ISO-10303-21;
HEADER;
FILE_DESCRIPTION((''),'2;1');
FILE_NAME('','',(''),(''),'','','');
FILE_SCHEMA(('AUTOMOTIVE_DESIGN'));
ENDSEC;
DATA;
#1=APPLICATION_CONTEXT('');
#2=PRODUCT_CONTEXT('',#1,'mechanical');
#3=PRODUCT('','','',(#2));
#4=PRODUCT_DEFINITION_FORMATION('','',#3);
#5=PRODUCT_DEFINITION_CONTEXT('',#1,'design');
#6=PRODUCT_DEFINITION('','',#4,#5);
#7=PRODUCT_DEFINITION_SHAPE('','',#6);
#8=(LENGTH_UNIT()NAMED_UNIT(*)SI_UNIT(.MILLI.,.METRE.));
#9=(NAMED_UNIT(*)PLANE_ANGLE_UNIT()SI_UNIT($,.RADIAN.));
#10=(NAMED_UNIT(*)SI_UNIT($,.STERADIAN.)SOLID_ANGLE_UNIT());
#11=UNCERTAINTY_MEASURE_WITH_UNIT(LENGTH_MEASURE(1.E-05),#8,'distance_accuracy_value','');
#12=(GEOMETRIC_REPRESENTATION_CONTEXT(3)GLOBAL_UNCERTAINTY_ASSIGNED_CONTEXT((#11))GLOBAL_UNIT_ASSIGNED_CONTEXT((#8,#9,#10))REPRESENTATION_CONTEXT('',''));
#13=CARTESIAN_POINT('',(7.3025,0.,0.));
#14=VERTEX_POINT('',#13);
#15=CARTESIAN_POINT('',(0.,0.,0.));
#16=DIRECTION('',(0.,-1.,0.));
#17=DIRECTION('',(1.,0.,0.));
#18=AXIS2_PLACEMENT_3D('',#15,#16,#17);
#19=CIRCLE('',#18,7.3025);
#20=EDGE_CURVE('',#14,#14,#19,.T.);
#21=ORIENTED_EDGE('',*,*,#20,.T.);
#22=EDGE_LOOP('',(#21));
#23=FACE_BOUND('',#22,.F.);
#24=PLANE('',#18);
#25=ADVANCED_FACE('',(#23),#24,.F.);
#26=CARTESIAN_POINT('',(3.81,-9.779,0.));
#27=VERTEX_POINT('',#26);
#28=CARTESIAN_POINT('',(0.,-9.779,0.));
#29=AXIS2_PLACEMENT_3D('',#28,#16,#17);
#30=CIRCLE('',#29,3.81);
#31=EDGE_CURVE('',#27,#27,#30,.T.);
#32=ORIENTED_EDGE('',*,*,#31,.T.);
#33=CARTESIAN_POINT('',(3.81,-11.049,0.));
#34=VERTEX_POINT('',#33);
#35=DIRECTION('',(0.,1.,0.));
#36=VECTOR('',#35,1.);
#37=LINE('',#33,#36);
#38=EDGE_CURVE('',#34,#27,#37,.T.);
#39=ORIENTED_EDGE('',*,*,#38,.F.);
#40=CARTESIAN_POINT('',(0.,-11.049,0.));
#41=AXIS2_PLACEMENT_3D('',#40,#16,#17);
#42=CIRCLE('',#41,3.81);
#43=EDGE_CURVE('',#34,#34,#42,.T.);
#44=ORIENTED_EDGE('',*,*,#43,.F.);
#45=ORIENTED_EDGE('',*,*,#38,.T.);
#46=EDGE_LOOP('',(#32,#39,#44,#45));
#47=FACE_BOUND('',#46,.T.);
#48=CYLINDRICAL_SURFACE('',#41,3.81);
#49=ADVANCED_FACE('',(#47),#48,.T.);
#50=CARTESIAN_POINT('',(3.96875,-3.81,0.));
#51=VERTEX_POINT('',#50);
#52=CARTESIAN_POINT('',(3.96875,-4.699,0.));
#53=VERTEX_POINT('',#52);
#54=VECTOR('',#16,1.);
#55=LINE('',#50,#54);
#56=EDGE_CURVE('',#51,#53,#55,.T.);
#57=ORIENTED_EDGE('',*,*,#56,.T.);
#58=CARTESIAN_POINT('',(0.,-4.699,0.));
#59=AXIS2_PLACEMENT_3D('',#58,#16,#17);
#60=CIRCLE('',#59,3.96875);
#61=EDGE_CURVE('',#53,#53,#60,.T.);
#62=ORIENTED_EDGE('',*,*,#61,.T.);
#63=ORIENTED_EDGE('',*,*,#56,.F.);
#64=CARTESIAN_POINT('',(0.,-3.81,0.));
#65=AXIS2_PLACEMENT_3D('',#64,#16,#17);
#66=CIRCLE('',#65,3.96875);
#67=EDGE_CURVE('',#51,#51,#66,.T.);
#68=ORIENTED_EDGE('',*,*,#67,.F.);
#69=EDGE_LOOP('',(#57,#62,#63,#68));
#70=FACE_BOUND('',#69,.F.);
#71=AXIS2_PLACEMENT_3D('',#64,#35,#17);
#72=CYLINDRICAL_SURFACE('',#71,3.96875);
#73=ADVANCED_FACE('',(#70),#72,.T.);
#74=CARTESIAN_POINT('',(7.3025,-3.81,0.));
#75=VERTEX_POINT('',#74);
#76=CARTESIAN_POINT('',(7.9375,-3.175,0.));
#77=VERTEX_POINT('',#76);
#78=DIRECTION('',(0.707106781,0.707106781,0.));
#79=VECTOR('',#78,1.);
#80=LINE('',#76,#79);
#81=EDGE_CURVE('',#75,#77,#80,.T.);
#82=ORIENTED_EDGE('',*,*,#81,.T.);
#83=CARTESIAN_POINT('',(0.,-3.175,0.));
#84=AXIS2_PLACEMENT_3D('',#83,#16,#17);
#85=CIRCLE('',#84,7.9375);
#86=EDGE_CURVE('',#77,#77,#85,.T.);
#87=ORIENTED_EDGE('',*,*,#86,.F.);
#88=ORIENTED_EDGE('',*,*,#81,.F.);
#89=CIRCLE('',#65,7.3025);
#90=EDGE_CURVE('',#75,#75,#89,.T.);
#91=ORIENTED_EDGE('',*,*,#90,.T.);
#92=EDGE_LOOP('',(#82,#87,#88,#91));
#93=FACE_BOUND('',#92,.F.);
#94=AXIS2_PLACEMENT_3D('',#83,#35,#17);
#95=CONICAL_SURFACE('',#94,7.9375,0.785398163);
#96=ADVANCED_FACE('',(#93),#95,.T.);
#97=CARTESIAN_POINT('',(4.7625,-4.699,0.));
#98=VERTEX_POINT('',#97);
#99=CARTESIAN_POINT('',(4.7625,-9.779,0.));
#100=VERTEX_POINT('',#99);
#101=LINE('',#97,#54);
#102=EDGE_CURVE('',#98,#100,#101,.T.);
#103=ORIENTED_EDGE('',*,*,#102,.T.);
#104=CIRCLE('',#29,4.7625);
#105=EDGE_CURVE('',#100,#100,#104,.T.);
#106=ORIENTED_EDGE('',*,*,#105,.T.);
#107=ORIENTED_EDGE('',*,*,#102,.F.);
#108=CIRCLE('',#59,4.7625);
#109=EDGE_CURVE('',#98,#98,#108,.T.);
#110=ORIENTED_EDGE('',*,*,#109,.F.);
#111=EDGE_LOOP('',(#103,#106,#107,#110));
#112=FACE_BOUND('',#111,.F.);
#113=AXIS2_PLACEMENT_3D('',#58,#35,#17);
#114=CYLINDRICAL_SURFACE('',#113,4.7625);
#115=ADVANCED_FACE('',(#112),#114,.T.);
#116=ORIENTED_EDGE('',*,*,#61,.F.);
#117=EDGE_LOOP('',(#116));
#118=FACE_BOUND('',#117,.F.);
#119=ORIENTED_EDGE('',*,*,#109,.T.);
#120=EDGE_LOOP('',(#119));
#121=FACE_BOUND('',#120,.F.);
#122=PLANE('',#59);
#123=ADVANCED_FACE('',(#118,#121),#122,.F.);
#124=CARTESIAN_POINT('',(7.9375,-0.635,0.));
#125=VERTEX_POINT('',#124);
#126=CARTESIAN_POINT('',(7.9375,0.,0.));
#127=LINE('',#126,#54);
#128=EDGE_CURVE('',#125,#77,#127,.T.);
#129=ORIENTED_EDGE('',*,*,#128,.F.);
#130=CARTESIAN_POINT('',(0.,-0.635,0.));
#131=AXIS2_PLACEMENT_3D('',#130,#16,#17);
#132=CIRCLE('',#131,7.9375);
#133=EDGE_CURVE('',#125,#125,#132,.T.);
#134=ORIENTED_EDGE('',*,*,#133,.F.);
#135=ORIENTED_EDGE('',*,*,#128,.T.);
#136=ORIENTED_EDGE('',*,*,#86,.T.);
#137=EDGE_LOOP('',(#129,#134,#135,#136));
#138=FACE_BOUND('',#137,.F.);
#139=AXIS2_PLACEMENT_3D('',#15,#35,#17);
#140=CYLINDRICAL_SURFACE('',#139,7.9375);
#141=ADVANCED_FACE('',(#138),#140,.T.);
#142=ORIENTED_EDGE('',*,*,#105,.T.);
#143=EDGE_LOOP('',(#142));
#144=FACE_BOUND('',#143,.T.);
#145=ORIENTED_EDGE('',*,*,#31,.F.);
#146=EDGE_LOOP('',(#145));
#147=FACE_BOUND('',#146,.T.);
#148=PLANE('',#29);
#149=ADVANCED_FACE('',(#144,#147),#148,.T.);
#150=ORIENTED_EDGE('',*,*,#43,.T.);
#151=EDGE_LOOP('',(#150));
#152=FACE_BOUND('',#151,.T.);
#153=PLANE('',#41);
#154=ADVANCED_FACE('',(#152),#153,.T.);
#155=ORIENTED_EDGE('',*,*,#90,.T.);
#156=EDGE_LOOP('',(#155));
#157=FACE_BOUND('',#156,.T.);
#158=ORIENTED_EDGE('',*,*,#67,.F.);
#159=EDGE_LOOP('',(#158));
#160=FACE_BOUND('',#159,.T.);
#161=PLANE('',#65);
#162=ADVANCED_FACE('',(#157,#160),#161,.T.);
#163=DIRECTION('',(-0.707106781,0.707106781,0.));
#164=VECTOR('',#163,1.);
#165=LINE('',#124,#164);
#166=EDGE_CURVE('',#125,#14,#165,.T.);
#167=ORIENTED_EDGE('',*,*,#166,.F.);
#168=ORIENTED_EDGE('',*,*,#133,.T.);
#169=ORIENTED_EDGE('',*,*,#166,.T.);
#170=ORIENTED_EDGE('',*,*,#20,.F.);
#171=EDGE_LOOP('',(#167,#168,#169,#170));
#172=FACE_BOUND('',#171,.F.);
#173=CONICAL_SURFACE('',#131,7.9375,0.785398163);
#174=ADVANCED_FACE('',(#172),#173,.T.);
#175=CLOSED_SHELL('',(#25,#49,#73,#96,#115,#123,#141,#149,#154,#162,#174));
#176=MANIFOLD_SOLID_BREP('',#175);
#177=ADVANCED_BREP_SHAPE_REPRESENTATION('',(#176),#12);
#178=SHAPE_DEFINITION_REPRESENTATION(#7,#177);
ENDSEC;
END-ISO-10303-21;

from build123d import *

# Parameters (mm, degrees)
F0_R      = 7.9375
F1_DEPTH  = 3.81
F2_R      = 4.7625
F3_DEPTH  = 6.35
F5_R      = 3.96875
F6_DEPTH  = 0.889
F7_R      = 4.7625
F7_R_2    = 3.96875
F8_DEPTH  = 6.35
F9_R      = 4.7625
F9_R_2    = 3.81
F10_DEPTH = 1.27
F11_SIZE  = 0.635


with BuildPart() as f1:
    # F0 (on Front) → F1 (new body)
    with BuildSketch(Plane.XZ):
        Circle(F0_R)
    extrude(amount=F1_DEPTH)

    # F5 (on face) → F6 (join)
    with BuildSketch(Plane.XZ.offset(3.81)):
        Circle(F5_R)
    extrude(amount=F6_DEPTH)

    # F7 (on face) → F8 (join)
    with BuildSketch(Plane.XZ.offset(4.699)):
        Circle(F7_R)
        Circle(F7_R_2, mode=Mode.SUBTRACT)
        Circle(F7_R_2)
    extrude(amount=F8_DEPTH)

    # F9 (on face) → F10 (cut)
    with BuildSketch(Plane.XZ.offset(11.049)):
        Circle(F9_R)
        Circle(F9_R_2, mode=Mode.SUBTRACT)
    extrude(amount=-F10_DEPTH, mode=Mode.SUBTRACT)

    # F11
    f11_edges = [f1.edges().sort_by_distance(p)[0] for p in [
        (-7.9375, -3.81, 0),
        (-7.9375, 0, 0),
    ]]
    chamfer(f11_edges, length=F11_SIZE)


with BuildPart() as f3:
    # F2 (on face) → F3 (new body)
    with BuildSketch(Plane.XZ.offset(3.81)):
        Circle(F2_R)
    extrude(amount=F3_DEPTH)


solid = f1.part
